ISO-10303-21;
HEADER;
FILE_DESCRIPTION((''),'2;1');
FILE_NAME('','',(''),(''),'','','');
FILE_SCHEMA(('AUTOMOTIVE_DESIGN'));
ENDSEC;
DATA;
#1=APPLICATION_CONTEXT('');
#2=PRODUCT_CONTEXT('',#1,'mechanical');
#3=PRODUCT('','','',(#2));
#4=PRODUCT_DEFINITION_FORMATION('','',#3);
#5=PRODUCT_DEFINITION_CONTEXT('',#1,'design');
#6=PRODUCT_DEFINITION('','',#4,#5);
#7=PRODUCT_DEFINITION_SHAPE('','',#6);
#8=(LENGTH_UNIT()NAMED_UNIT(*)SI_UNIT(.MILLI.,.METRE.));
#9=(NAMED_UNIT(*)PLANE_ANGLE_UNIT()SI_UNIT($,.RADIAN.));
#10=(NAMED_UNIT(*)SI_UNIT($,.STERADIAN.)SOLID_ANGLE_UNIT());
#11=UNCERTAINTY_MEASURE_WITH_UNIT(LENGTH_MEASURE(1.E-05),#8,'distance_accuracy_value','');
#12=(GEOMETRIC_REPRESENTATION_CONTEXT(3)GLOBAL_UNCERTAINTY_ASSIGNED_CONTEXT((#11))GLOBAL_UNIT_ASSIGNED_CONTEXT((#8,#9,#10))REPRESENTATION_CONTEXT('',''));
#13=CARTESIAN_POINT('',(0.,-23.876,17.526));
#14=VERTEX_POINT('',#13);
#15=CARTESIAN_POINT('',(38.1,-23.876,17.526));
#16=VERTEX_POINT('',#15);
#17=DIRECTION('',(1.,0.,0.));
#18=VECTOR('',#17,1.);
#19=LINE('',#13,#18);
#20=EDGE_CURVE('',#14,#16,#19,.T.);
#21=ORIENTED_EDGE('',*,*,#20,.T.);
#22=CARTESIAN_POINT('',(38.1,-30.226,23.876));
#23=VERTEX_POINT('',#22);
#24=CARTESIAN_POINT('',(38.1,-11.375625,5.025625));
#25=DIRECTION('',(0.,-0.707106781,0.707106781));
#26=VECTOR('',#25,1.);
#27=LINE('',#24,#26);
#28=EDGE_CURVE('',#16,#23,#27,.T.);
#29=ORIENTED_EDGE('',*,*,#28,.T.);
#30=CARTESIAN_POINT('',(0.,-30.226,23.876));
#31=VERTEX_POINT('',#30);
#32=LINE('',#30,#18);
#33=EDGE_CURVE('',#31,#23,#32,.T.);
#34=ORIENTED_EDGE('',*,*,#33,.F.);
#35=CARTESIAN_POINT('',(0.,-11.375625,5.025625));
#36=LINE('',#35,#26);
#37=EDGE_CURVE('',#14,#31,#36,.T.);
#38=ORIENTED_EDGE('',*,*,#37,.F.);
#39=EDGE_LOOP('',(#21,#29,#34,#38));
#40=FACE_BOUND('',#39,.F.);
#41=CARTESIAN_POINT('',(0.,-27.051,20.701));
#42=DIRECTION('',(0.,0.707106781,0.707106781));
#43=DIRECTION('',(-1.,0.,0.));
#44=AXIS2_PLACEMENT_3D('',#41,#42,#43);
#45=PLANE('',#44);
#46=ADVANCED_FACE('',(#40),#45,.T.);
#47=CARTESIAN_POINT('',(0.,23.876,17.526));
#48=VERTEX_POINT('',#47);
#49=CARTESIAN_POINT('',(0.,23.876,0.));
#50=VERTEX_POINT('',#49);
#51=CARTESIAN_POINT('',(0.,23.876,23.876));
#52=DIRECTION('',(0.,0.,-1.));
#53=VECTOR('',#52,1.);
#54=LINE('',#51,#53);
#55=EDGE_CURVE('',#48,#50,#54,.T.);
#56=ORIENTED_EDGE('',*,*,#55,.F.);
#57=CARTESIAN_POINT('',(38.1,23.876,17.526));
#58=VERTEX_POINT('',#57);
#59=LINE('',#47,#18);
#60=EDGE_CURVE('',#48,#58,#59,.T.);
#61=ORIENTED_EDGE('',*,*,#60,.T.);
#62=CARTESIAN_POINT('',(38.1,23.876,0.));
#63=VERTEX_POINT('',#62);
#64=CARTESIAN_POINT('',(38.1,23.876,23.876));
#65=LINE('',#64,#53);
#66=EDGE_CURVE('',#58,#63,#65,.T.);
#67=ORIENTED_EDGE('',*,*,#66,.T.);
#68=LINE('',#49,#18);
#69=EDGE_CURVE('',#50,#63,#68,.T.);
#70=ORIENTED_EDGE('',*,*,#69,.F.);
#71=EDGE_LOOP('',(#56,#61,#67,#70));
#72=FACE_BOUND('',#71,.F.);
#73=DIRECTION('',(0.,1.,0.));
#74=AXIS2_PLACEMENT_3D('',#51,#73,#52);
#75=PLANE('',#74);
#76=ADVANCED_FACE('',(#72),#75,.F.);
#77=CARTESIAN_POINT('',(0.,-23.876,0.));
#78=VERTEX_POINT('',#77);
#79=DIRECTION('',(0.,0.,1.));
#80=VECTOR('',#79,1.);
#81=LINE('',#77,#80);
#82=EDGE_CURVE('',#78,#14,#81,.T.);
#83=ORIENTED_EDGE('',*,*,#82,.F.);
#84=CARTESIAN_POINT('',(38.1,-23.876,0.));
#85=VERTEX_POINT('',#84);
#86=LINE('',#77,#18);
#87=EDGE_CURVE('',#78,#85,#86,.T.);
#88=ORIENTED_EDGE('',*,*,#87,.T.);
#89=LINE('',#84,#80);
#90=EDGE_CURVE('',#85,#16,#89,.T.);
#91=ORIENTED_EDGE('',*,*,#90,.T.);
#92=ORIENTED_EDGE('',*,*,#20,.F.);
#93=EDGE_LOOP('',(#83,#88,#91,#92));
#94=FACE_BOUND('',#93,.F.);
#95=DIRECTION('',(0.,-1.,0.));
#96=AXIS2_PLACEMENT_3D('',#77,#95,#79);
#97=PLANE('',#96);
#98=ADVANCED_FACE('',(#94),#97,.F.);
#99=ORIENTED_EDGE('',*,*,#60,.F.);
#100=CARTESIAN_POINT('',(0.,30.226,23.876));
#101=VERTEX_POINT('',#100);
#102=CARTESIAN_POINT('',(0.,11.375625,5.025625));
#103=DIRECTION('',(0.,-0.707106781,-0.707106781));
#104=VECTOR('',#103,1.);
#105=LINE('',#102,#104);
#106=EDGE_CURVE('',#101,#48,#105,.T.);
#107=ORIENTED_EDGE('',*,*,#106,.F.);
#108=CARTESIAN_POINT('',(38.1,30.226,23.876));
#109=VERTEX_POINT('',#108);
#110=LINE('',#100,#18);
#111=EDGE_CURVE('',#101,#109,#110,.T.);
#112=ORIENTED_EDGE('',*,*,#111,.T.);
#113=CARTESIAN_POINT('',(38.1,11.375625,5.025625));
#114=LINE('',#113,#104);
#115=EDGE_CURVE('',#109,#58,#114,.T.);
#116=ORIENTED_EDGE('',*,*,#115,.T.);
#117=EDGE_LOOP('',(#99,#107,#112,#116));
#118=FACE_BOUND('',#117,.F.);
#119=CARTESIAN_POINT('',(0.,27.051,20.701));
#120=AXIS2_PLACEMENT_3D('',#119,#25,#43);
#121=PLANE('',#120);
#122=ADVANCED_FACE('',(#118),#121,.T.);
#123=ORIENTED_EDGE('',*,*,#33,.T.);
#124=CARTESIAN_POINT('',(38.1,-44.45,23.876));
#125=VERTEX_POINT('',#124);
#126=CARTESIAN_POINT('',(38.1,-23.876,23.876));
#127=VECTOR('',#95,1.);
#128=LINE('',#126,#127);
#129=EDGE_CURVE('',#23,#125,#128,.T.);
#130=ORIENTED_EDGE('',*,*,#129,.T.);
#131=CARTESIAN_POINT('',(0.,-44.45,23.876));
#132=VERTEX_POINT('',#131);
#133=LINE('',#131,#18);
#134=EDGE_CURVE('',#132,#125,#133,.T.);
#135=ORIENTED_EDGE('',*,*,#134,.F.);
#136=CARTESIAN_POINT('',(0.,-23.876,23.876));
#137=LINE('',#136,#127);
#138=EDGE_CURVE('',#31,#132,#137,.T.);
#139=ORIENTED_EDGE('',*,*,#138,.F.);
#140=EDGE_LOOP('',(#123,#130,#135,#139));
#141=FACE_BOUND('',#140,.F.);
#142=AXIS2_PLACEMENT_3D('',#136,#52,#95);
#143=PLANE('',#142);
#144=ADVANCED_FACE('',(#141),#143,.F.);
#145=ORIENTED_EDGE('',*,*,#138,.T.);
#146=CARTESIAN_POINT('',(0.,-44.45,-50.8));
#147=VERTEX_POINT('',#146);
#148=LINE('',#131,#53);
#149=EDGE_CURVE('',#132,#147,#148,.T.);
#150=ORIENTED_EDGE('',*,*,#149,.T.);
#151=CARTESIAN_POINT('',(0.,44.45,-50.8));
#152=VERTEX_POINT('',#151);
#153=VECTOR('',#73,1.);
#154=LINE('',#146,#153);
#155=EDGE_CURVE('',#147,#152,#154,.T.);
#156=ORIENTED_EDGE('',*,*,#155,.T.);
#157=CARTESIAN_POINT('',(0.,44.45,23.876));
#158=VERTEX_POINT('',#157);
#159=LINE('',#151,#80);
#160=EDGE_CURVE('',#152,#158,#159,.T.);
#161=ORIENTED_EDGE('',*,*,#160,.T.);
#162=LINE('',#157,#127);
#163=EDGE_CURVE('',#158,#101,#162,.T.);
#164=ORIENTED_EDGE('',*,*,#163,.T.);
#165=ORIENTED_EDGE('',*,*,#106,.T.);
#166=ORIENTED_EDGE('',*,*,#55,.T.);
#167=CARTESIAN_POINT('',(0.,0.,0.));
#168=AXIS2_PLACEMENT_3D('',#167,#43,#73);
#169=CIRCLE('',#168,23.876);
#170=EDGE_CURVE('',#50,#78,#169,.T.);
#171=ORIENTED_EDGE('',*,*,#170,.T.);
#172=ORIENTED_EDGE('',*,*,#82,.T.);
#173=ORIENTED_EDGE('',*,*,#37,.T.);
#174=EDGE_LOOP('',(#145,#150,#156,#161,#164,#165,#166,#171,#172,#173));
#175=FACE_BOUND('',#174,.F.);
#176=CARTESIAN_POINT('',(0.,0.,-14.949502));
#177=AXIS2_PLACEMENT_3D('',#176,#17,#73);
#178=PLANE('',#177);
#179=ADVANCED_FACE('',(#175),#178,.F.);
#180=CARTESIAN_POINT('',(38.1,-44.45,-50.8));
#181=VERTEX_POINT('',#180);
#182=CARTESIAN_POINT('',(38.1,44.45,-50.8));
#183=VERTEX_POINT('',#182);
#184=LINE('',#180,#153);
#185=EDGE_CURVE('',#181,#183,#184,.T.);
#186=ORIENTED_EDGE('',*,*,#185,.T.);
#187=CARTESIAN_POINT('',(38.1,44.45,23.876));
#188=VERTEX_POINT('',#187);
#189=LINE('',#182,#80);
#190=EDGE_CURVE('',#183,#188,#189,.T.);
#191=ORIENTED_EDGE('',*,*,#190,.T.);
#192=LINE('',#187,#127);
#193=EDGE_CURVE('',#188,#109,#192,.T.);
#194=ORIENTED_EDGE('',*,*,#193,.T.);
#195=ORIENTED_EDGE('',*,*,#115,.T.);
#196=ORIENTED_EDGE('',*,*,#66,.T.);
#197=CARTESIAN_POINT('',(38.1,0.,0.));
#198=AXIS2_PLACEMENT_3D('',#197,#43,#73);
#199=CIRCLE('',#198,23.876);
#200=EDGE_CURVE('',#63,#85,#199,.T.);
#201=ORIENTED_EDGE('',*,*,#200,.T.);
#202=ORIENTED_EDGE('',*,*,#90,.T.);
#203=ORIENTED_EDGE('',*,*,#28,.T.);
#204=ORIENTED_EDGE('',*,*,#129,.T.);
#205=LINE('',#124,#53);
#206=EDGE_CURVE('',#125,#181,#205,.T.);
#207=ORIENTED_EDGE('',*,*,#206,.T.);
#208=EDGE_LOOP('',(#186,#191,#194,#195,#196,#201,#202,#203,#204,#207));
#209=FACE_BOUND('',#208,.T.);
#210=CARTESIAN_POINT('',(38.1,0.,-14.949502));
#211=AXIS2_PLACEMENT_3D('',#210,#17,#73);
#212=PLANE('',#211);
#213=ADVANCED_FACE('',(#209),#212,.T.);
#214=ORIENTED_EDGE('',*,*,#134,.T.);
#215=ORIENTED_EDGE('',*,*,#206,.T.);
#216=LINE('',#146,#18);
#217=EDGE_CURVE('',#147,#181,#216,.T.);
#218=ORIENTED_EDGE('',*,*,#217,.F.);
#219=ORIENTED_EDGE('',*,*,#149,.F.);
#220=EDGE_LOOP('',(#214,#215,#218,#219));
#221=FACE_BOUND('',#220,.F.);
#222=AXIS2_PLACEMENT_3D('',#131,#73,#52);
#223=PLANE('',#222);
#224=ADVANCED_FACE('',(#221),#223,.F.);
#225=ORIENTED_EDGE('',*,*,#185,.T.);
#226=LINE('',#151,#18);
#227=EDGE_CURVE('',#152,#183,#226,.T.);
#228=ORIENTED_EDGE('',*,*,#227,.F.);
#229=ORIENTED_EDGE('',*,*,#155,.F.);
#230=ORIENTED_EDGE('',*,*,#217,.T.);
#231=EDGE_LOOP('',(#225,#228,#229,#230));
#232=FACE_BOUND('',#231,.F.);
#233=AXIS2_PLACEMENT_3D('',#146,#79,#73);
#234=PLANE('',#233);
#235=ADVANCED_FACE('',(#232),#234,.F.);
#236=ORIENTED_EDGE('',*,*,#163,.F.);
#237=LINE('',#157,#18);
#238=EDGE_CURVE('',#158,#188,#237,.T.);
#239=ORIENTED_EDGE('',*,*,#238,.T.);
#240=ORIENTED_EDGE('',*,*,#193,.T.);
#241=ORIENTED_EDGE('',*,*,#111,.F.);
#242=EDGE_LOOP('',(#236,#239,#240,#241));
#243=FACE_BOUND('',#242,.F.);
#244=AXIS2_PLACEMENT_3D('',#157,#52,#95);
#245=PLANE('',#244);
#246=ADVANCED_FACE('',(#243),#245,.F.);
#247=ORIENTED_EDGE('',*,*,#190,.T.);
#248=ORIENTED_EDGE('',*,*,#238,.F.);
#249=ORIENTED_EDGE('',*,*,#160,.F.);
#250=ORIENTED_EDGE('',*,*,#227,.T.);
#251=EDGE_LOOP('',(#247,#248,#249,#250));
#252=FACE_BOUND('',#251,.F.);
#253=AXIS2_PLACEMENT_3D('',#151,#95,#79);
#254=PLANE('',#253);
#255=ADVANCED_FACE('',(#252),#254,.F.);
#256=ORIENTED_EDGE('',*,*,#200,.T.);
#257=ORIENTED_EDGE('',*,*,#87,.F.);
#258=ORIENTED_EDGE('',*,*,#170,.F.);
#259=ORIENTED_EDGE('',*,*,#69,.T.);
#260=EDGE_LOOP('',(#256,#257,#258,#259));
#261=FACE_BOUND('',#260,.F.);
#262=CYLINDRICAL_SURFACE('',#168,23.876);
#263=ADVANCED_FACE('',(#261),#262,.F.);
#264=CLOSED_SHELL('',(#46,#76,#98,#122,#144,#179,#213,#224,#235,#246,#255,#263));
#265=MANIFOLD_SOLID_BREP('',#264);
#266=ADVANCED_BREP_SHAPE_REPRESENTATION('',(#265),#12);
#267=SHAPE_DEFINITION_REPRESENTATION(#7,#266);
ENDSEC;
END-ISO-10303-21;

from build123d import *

# Parameters (mm, degrees)
F1_DEPTH = 38.1
F2_SIZE  = 6.35


with BuildPart() as f1:
    # F0 (on Right) → F1 (new body)
    with BuildSketch(Plane.YZ):
        with BuildLine():
            ThreePointArc((23.876, 0), (0, -23.876), (-23.876, 0))
            Line((-23.876, 0), (-23.876, 23.876))
            Line((-23.876, 23.876), (-44.45, 23.876))
            Line((-44.45, 23.876), (-44.45, -50.8))
            Line((-44.45, -50.8), (44.45, -50.8))
            Line((44.45, -50.8), (44.45, 23.876))
            Line((44.45, 23.876), (23.876, 23.876))
            Line((23.876, 23.876), (23.876, 0))
        make_face()
    extrude(amount=F1_DEPTH)

    # F2
    f2_edges = [f1.edges().sort_by_distance(p)[0] for p in [
        (19.05, -23.876, 23.876),
        (19.05, 23.876, 23.876),
    ]]
    chamfer(f2_edges, length=F2_SIZE)


solid = f1.part
